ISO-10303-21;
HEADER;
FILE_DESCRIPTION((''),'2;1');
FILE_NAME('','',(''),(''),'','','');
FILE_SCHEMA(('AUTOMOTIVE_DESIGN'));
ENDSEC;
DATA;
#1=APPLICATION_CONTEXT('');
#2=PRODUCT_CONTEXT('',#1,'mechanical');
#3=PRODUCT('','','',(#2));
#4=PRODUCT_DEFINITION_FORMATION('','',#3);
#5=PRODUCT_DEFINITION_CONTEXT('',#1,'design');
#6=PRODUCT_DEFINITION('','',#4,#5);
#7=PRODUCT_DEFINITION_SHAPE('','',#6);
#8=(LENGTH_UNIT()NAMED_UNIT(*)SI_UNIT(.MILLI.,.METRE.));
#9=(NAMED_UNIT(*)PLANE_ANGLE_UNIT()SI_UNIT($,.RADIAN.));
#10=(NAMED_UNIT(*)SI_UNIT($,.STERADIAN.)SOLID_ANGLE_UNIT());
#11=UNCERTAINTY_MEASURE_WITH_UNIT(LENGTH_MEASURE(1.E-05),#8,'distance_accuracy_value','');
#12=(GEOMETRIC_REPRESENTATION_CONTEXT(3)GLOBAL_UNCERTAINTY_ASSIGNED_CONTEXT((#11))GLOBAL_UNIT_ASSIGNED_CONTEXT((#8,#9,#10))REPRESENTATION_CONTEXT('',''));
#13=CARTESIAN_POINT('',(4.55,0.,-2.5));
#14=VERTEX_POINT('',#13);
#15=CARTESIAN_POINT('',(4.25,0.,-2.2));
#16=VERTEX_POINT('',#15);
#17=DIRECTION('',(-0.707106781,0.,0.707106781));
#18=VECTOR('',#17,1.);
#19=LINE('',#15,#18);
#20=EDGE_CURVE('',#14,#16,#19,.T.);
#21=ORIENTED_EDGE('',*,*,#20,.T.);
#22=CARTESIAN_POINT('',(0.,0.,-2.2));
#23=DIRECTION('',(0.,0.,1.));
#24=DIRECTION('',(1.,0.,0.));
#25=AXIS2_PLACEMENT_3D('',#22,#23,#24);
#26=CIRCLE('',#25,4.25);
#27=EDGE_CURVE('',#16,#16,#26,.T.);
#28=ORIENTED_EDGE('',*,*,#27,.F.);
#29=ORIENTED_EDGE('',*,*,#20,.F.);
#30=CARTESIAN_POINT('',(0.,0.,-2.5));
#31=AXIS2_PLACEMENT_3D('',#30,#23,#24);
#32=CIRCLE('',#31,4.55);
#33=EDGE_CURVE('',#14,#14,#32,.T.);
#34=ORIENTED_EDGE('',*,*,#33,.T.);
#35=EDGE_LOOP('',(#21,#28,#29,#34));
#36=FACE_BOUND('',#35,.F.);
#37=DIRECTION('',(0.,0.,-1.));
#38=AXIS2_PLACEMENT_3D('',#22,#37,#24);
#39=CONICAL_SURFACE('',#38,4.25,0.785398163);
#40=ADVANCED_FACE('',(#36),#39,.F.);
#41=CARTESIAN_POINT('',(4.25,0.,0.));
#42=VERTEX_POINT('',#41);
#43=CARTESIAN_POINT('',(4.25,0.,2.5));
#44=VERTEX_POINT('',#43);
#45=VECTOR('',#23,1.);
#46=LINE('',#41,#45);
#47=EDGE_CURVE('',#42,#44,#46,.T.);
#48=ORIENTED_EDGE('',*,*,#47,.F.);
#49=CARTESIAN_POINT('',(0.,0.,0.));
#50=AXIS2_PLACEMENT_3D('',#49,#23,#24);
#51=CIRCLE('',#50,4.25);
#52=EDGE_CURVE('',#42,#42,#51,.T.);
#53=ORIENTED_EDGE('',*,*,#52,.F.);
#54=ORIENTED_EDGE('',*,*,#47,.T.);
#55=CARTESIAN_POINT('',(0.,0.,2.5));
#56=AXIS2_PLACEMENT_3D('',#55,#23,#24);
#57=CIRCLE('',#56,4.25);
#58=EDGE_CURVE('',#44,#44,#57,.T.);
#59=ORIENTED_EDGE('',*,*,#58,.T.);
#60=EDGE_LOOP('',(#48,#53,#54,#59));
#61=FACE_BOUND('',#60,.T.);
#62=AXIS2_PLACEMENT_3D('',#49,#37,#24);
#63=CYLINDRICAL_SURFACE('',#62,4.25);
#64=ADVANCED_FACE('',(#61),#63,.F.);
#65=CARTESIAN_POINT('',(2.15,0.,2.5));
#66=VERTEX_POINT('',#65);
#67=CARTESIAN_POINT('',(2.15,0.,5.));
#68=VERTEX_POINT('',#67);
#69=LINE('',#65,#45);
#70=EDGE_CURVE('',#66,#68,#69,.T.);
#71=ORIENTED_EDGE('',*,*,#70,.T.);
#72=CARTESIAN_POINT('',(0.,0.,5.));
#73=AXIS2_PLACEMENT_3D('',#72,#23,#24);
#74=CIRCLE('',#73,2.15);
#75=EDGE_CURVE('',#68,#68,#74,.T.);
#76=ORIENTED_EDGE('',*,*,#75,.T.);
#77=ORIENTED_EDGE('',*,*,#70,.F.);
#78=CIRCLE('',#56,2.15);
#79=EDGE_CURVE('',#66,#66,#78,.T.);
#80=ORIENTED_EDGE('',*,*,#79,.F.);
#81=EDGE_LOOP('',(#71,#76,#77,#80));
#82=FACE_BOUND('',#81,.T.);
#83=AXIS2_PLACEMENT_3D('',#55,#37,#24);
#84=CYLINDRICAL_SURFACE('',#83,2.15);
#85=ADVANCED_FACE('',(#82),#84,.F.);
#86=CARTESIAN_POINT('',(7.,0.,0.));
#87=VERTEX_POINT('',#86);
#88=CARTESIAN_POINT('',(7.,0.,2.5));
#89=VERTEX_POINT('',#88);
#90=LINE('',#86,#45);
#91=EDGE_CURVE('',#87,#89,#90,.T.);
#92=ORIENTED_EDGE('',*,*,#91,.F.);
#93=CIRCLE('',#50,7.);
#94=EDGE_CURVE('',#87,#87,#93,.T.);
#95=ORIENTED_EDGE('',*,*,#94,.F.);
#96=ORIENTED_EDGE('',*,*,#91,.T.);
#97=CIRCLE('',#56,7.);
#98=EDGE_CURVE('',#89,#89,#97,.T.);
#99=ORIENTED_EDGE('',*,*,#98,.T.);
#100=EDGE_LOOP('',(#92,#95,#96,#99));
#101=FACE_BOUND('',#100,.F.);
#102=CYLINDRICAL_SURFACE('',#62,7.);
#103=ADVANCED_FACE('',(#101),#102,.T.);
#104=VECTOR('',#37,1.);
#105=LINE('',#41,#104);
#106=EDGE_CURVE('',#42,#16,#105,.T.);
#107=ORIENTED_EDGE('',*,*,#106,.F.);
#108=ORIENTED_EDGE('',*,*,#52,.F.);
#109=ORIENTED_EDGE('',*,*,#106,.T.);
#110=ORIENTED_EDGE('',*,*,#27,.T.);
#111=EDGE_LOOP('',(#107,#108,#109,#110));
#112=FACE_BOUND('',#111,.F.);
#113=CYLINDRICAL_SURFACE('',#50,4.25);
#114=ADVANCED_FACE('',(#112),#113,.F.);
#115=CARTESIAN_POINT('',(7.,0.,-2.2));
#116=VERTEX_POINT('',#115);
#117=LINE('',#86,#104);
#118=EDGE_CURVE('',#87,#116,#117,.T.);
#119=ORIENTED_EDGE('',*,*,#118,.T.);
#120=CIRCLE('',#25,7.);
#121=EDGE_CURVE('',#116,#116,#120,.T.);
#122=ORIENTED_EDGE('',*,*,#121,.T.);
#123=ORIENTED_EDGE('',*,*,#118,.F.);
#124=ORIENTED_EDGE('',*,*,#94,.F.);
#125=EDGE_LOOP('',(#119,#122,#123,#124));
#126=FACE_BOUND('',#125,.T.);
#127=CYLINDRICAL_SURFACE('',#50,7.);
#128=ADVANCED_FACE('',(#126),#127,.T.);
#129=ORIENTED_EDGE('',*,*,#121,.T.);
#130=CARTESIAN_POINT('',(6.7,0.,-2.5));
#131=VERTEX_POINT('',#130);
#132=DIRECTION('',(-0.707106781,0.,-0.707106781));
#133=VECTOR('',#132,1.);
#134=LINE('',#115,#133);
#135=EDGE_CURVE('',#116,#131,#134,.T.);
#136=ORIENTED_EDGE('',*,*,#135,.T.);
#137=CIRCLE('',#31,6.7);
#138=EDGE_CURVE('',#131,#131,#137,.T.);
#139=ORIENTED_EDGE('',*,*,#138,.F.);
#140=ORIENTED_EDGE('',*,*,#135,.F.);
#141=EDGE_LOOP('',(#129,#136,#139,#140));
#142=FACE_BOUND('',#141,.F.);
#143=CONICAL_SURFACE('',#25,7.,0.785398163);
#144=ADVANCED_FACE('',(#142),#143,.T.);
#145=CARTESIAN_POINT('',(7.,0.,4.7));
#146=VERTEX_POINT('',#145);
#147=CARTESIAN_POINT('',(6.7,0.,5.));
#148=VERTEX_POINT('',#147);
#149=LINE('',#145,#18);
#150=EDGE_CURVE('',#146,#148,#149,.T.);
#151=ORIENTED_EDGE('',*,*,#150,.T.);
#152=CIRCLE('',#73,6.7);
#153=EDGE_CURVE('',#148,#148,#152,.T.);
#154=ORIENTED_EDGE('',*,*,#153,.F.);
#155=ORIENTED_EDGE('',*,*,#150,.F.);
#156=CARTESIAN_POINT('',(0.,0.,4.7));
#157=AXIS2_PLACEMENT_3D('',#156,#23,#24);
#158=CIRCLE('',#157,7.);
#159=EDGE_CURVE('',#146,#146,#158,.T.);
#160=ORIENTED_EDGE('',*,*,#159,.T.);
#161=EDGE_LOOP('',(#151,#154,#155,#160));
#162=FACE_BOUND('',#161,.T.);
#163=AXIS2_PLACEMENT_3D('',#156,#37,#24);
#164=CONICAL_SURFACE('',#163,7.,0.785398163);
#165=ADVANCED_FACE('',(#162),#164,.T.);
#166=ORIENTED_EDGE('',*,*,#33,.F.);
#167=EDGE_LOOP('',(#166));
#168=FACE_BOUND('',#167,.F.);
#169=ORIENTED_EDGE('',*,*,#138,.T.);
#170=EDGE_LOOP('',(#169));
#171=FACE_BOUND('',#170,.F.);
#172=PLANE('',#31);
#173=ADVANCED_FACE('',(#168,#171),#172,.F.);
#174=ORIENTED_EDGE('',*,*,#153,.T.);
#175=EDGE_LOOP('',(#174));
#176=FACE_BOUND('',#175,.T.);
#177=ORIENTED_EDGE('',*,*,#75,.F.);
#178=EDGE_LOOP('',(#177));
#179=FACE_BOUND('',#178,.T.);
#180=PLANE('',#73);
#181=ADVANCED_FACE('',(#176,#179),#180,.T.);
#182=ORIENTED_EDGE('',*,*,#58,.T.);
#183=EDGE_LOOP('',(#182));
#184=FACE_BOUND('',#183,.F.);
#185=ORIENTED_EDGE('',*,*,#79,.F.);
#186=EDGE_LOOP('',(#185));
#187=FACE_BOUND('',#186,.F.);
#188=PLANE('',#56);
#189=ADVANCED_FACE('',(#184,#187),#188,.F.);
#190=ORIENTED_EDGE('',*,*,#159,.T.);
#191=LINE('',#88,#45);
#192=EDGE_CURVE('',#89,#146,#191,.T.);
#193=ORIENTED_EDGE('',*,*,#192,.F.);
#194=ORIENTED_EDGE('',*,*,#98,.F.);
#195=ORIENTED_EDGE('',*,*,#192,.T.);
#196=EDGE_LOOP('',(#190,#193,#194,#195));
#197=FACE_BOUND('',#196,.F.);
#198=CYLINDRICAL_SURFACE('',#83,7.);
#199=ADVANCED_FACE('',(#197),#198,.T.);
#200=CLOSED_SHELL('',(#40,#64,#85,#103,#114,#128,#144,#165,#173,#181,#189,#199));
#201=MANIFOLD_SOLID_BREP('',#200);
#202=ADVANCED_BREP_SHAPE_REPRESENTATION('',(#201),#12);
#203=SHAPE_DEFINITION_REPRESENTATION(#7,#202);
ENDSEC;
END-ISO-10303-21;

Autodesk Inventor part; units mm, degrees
ref_plane "YZ Plane" through (0, 0, 0) normal (1, 0, 0) x (0, 1, 0)
ref_plane "XZ Plane" through (0, 0, 0) normal (0, 1, 0) x (-1, 0, 0)
ref_plane "XY Plane" through (0, 0, 0) normal (0, 0, 1) x (1, 0, 0)
sketch "スケッチ1" plane through (0, 0, 0) normal (0, 0, 1) x (1, 0, 0)
  circle A0 centre (0, 0) radius 4.25
  circle A1 centre (0, 0) radius 7
  dimension "d0" = 8.5
  dimension "d1" = 14
extrude "押し出し1" add sketch "スケッチ1" along normal mid plane 5
sketch "スケッチ2" plane through (0, 0, 2.5) normal (0, 0, 1) x (1, 0, 0)
  circle A0 centre (0, 0) radius 7 projected
  circle A1 centre (0, 0) radius 2.15
  dimension "d9" = 4.3
extrude "押し出し2" add sketch "スケッチ2" along normal blind 2.5
chamfer "面取り2" distance 0.3 angle 45 3 edges at (-7, 0, 5) (-7, 0, -2.5) (-4.25, 0, -2.5)
properties part number "base40" material "ABS プラスチック"
